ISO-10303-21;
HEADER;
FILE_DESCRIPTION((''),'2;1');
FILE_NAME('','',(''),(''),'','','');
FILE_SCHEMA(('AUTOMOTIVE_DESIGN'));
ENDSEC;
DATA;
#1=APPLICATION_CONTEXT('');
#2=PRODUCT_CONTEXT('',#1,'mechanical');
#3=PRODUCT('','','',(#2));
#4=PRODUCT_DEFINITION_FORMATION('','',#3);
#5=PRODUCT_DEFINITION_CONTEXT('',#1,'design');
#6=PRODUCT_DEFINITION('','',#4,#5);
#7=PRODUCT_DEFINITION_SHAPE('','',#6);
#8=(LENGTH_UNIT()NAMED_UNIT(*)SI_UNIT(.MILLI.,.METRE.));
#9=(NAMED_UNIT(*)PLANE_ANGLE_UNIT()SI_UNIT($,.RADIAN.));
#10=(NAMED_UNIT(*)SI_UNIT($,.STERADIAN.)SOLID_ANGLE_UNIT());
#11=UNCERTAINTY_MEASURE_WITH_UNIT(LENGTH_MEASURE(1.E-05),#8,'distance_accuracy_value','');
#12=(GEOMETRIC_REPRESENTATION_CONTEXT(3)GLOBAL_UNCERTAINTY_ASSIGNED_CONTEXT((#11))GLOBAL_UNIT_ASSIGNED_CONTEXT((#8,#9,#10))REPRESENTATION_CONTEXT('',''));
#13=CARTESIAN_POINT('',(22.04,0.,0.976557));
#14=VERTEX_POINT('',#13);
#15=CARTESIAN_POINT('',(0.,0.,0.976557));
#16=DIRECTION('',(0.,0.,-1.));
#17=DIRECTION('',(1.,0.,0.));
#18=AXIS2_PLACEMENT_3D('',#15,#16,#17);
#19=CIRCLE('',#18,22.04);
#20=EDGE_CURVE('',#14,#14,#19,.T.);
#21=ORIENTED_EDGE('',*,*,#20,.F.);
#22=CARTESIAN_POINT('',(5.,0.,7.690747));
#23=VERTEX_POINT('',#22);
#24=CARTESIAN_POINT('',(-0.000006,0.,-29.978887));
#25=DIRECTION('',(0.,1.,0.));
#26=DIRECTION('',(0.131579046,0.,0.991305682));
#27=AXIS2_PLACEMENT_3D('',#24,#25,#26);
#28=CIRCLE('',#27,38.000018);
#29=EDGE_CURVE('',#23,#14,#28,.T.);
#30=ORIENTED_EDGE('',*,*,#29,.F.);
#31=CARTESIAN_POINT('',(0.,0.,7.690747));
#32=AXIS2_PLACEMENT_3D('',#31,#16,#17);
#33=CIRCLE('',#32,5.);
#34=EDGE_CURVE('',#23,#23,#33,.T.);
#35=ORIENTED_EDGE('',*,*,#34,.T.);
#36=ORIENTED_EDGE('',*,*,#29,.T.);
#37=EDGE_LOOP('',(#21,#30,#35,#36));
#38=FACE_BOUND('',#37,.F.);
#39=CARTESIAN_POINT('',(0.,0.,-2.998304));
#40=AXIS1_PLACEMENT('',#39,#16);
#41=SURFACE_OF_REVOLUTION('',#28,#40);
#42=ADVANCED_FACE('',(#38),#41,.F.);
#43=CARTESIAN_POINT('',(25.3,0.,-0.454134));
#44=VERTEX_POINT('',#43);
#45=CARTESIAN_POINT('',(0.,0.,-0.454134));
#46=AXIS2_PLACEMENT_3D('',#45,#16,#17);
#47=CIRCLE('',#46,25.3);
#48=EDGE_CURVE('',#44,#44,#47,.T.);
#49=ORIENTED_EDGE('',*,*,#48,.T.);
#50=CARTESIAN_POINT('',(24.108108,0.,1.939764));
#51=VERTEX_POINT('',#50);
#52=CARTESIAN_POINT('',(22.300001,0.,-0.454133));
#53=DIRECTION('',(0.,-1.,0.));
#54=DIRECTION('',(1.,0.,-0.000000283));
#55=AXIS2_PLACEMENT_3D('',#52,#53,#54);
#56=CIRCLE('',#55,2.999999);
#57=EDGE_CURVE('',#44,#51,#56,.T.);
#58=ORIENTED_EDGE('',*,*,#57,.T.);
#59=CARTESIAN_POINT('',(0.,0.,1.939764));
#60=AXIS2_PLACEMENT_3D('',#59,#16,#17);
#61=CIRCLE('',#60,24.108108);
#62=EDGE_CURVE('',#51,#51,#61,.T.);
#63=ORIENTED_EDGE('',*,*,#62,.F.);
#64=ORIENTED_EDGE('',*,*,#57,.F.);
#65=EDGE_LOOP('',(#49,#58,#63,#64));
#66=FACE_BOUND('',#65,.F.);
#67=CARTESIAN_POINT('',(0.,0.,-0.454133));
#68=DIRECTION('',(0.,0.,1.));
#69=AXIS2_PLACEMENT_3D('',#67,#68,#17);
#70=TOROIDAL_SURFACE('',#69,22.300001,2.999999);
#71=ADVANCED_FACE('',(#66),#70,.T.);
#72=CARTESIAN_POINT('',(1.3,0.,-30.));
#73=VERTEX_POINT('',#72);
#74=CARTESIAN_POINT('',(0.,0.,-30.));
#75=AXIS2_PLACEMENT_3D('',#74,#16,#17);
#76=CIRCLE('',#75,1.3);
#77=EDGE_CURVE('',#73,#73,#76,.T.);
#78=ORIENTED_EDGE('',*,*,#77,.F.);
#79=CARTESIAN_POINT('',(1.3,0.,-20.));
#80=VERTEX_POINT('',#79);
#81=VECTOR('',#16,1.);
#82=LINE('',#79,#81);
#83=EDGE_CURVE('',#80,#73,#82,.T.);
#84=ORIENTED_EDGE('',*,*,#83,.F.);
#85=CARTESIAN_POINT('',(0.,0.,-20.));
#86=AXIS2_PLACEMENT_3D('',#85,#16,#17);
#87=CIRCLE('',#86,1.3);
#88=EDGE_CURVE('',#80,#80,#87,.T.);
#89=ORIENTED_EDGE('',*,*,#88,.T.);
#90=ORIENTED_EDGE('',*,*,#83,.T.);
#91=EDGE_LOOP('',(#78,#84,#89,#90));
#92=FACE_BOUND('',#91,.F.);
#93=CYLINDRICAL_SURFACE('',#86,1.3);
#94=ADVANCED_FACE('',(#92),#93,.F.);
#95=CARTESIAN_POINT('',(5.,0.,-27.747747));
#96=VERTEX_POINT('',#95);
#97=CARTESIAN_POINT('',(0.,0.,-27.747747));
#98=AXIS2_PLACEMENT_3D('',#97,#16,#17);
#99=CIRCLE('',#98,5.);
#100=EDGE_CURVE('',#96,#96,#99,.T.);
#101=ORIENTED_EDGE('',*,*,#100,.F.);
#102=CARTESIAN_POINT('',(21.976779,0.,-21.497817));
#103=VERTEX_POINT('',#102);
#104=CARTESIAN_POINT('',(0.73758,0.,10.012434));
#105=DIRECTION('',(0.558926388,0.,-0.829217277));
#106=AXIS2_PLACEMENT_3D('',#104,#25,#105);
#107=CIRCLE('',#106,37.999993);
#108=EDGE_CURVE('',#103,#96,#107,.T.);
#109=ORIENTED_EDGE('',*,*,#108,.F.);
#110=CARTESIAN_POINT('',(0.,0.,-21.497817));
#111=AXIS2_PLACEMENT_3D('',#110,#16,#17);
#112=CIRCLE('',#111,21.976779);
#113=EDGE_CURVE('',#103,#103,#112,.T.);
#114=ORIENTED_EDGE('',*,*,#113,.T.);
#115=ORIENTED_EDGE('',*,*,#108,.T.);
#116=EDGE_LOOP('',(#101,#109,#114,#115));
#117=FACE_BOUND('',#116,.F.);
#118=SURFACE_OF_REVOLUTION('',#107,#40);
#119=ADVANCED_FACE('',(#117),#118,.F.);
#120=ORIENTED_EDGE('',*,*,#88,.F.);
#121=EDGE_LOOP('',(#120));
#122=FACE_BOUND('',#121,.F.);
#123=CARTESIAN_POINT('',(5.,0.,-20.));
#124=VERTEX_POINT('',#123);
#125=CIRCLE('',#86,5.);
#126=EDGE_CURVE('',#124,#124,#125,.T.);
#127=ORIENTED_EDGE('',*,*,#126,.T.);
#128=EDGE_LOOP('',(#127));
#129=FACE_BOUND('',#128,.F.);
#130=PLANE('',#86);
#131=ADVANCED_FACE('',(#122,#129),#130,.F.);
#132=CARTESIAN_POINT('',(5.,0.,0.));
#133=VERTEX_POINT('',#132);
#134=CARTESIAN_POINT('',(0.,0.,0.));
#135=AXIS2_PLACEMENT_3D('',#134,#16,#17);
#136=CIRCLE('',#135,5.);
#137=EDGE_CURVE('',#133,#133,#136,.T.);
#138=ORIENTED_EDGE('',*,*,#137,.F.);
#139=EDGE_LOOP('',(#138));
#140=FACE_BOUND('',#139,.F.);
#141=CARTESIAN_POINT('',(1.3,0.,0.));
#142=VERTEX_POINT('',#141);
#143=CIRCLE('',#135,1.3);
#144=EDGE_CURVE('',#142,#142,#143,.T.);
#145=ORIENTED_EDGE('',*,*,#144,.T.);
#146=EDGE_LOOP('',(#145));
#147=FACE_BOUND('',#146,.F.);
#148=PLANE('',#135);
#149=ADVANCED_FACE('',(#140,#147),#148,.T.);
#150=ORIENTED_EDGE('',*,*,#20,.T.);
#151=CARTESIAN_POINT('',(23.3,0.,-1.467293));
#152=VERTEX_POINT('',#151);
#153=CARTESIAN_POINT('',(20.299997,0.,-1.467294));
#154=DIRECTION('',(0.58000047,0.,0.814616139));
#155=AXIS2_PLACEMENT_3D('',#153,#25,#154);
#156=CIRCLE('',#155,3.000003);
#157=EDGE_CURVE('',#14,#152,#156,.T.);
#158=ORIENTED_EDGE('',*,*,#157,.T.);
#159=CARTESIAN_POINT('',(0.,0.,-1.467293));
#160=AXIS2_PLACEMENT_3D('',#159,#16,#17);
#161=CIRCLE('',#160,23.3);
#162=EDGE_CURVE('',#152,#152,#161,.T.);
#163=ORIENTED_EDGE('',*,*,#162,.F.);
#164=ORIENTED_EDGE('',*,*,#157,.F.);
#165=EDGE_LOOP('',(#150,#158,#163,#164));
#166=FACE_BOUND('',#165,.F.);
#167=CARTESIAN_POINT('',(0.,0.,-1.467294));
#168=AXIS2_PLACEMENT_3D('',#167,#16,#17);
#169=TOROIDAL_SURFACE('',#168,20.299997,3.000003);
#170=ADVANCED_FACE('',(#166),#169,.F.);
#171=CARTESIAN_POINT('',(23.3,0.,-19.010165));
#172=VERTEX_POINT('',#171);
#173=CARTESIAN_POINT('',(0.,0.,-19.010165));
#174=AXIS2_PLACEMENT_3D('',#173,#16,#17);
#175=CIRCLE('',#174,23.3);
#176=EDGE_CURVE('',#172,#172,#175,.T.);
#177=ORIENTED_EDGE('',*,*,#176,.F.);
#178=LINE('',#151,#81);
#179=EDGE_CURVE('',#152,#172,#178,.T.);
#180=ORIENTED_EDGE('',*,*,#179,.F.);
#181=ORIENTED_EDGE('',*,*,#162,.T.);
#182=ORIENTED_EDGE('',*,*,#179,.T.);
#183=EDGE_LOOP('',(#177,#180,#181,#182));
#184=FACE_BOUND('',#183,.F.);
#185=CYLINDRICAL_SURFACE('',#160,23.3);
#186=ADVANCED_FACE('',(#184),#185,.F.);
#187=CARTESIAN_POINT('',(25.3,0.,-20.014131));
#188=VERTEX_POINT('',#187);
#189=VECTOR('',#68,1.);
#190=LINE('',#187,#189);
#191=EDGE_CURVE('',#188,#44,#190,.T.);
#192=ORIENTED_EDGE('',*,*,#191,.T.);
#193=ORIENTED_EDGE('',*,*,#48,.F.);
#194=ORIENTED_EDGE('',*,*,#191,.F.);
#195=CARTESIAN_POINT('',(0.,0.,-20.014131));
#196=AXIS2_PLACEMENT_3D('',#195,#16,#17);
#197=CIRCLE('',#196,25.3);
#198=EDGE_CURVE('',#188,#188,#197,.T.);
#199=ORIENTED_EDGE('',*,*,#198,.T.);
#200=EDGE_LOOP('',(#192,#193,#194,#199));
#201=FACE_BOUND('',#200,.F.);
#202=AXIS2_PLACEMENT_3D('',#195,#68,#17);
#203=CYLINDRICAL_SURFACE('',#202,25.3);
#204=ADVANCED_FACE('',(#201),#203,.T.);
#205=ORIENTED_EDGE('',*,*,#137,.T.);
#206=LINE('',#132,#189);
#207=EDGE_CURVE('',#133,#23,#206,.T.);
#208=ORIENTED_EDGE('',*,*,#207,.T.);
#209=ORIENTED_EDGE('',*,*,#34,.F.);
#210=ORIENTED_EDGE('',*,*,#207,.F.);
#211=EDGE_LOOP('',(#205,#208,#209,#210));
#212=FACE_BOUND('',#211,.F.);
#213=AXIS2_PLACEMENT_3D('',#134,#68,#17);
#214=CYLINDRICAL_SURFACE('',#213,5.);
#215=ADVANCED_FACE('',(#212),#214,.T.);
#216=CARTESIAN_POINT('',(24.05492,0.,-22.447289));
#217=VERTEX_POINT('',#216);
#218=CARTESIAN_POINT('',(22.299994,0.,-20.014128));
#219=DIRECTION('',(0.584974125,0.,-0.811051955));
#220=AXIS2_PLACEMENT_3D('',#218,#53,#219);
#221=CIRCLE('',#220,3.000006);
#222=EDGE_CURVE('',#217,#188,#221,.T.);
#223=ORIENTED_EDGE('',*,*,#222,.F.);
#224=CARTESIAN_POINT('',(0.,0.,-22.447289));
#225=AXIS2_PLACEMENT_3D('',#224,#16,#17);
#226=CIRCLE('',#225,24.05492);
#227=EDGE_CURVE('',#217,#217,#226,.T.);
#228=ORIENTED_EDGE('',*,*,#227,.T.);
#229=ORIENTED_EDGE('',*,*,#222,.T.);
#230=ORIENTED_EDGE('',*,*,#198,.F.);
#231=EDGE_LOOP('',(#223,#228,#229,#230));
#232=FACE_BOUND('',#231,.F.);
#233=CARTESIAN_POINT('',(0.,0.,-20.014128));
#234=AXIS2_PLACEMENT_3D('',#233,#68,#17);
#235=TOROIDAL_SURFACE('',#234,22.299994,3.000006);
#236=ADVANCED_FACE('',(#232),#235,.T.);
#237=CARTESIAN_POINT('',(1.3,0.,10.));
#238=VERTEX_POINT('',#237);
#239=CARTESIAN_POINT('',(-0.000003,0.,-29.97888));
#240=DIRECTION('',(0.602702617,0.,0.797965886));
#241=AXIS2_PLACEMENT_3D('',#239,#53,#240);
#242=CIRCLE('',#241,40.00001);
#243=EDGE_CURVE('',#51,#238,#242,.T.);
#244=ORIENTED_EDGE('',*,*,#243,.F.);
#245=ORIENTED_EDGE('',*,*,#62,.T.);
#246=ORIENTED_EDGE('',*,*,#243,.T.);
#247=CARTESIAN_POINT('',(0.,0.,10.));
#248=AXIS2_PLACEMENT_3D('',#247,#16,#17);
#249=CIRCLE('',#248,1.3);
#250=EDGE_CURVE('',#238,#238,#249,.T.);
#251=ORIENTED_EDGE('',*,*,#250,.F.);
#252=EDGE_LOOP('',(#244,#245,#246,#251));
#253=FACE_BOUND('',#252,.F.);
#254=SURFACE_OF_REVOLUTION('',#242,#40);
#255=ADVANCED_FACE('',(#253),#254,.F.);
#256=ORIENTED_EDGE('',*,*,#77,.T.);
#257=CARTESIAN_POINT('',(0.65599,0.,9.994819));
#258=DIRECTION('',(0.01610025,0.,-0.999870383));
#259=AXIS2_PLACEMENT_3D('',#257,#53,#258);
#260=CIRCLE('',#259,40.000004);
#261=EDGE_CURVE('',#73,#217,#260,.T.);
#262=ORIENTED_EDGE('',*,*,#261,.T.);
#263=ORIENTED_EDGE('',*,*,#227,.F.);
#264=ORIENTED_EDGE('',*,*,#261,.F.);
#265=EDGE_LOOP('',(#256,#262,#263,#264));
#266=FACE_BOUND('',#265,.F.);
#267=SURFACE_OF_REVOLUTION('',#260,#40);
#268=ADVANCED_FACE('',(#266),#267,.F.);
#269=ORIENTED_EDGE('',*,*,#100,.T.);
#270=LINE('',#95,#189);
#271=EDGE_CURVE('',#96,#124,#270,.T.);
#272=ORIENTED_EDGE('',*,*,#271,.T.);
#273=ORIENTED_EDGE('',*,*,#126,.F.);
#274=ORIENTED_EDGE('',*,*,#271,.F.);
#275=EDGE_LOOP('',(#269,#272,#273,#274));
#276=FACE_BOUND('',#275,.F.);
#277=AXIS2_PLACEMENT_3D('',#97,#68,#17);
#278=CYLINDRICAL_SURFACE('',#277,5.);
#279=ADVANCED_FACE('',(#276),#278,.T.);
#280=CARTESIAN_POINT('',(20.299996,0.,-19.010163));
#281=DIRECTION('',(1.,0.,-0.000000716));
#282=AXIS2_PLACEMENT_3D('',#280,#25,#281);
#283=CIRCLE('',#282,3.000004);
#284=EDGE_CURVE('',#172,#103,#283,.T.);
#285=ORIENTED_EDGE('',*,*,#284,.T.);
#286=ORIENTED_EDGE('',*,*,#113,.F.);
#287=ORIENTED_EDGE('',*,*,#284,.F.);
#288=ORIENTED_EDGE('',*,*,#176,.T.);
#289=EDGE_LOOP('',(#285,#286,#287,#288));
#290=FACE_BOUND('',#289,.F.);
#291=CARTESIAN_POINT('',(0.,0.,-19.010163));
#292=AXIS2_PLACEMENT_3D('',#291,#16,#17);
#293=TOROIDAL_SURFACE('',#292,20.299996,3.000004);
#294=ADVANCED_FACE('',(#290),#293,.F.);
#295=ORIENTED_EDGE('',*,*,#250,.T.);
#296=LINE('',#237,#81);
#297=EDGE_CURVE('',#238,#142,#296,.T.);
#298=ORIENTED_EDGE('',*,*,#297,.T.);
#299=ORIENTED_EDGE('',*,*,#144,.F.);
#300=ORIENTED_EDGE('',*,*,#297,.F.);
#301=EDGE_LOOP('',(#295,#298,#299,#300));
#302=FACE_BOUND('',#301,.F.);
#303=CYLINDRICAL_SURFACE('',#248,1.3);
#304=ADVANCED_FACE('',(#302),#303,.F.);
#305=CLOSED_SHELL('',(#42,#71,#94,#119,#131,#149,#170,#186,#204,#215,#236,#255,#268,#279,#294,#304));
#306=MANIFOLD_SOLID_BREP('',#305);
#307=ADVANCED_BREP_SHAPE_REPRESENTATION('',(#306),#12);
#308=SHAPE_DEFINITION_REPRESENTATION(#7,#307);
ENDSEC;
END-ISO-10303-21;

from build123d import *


with BuildPart() as f1:
    # F0 (on Front) → F1 (revolve)
    with BuildSketch(Plane.XZ):
        with BuildLine():
            Line((1.3, 0), (5, 0))
            Line((5, 0), (5, 7.690747))
            ThreePointArc((5, 7.690747), (13.930559, 5.375614), (22.04, 0.976557))
            ThreePointArc((22.04, 0.976557), (22.966458, -0.09252), (23.3, -1.467293))
            Line((23.3, -1.467293), (23.3, -19.010165))
            ThreePointArc((23.3, -19.010165), (22.948616, -20.419005), (21.976779, -21.497817))
            ThreePointArc((21.976779, -21.497817), (13.865739, -25.647781), (5, -27.747747))
            Line((5, -27.747747), (5, -20))
            Line((5, -20), (1.3, -20))
            Line((1.3, -20), (1.3, -30))
            ThreePointArc((1.3, -30), (13.256649, -27.968633), (24.05492, -22.447289))
            ThreePointArc((24.05492, -22.447289), (24.970651, -21.38074), (25.3, -20.014131))
            Line((25.3, -20.014131), (25.3, -0.454134))
            ThreePointArc((25.3, -0.454134), (24.985547, 0.882967), (24.108108, 1.939764))
            ThreePointArc((24.108108, 1.939764), (13.327972, 7.735387), (1.3, 10))
            Line((1.3, 10), (1.3, 0))
        make_face()
    revolve(axis=Axis((0, 0, -2.998304), (0, 0, -1)))


solid = f1.part
